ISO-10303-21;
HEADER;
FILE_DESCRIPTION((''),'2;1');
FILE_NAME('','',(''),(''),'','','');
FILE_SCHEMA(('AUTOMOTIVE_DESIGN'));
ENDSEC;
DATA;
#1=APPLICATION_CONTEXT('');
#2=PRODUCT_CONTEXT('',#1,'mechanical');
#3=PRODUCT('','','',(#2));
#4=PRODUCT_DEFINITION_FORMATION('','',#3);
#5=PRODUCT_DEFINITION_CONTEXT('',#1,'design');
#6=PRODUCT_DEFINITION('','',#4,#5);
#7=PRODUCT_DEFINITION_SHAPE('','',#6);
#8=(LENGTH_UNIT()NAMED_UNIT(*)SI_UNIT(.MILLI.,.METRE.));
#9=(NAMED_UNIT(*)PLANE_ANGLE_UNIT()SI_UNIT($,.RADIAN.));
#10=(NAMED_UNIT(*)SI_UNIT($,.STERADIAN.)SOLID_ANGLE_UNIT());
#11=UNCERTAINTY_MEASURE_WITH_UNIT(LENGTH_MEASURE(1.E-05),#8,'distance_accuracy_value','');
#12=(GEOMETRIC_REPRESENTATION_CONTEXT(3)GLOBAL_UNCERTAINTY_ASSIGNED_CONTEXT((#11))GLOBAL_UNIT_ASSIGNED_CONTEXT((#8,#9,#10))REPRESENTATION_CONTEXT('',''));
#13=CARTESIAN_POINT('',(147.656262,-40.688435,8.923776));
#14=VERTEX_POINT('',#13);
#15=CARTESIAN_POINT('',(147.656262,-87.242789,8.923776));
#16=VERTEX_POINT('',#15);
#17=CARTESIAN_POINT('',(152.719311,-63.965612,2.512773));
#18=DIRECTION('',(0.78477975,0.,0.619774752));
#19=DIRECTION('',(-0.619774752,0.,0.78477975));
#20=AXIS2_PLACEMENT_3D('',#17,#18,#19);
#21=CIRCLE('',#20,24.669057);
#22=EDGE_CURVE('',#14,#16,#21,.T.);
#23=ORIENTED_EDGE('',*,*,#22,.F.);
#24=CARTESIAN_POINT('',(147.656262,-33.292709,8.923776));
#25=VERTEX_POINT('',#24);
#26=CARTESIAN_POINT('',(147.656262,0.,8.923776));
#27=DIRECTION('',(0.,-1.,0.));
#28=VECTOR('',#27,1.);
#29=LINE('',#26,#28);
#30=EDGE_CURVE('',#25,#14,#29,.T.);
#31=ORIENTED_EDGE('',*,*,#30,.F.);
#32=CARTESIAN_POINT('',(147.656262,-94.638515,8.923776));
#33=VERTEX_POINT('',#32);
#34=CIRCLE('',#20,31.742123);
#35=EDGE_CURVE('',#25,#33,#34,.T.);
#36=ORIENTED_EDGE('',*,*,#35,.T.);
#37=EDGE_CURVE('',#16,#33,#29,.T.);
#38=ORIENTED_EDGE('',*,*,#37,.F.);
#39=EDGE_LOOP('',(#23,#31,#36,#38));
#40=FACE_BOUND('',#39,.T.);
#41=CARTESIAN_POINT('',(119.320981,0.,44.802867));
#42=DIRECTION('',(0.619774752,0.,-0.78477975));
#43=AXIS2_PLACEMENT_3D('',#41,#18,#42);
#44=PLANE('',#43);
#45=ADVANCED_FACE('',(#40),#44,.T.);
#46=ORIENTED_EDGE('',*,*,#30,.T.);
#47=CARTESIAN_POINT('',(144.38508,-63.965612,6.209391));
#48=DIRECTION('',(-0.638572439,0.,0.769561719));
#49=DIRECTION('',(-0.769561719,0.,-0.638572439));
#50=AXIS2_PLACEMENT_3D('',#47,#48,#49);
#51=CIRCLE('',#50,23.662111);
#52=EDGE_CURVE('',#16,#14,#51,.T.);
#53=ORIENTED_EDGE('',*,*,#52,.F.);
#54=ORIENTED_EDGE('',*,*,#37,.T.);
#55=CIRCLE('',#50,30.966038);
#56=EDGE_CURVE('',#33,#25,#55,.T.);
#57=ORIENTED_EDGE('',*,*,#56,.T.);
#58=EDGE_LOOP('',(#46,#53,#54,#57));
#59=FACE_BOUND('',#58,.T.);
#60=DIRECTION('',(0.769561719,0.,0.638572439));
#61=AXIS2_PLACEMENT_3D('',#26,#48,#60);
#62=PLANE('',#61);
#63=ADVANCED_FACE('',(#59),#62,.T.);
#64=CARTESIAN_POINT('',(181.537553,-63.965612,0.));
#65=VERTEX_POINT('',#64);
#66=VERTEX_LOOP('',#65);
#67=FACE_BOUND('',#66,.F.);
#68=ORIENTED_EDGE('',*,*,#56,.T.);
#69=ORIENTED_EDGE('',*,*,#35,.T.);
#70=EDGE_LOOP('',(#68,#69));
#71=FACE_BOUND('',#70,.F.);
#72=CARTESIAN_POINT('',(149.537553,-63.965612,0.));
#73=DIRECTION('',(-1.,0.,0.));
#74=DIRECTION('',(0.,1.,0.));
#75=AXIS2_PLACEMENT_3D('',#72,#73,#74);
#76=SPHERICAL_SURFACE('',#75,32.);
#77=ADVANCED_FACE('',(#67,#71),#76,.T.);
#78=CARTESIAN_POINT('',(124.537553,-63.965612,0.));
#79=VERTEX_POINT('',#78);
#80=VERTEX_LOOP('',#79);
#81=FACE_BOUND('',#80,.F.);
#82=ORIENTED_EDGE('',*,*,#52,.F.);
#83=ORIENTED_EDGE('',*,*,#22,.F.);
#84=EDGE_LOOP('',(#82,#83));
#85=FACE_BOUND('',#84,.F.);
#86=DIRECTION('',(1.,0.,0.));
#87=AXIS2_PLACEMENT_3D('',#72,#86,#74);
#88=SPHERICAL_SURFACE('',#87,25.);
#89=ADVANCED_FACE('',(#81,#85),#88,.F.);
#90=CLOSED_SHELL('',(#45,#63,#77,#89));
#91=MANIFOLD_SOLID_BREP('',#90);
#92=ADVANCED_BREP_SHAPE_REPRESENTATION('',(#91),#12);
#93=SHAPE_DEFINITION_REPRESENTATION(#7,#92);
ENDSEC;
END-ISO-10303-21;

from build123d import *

# Parameters (mm, degrees)
F3_DEPTH = 115.6


with BuildPart() as f1:
    # F0 (on Top) → F1 (revolve)
    with BuildSketch(Plane.XY):
        with BuildLine():
            ThreePointArc((124.537553, -63.965612), (149.537553, -38.965612), (174.537553, -63.965612))
            Line((174.537553, -63.965612), (181.537553, -63.965612))
            ThreePointArc((181.537553, -63.965612), (149.537553, -31.965612), (117.537553, -63.965612))
            Line((117.537553, -63.965612), (124.537553, -63.965612))
        make_face()
    revolve(axis=Axis((149.537553, -63.965612, 0), (1, 0, 0)))

    # F2 (on Front) → F3 (cut)
    with BuildSketch(Plane.XZ):
        Polygon((190.89517, 44.802867), (119.320981, 44.802867), (147.656262, 8.923776), align=None)
    extrude(amount=F3_DEPTH, mode=Mode.SUBTRACT)


solid = f1.part
